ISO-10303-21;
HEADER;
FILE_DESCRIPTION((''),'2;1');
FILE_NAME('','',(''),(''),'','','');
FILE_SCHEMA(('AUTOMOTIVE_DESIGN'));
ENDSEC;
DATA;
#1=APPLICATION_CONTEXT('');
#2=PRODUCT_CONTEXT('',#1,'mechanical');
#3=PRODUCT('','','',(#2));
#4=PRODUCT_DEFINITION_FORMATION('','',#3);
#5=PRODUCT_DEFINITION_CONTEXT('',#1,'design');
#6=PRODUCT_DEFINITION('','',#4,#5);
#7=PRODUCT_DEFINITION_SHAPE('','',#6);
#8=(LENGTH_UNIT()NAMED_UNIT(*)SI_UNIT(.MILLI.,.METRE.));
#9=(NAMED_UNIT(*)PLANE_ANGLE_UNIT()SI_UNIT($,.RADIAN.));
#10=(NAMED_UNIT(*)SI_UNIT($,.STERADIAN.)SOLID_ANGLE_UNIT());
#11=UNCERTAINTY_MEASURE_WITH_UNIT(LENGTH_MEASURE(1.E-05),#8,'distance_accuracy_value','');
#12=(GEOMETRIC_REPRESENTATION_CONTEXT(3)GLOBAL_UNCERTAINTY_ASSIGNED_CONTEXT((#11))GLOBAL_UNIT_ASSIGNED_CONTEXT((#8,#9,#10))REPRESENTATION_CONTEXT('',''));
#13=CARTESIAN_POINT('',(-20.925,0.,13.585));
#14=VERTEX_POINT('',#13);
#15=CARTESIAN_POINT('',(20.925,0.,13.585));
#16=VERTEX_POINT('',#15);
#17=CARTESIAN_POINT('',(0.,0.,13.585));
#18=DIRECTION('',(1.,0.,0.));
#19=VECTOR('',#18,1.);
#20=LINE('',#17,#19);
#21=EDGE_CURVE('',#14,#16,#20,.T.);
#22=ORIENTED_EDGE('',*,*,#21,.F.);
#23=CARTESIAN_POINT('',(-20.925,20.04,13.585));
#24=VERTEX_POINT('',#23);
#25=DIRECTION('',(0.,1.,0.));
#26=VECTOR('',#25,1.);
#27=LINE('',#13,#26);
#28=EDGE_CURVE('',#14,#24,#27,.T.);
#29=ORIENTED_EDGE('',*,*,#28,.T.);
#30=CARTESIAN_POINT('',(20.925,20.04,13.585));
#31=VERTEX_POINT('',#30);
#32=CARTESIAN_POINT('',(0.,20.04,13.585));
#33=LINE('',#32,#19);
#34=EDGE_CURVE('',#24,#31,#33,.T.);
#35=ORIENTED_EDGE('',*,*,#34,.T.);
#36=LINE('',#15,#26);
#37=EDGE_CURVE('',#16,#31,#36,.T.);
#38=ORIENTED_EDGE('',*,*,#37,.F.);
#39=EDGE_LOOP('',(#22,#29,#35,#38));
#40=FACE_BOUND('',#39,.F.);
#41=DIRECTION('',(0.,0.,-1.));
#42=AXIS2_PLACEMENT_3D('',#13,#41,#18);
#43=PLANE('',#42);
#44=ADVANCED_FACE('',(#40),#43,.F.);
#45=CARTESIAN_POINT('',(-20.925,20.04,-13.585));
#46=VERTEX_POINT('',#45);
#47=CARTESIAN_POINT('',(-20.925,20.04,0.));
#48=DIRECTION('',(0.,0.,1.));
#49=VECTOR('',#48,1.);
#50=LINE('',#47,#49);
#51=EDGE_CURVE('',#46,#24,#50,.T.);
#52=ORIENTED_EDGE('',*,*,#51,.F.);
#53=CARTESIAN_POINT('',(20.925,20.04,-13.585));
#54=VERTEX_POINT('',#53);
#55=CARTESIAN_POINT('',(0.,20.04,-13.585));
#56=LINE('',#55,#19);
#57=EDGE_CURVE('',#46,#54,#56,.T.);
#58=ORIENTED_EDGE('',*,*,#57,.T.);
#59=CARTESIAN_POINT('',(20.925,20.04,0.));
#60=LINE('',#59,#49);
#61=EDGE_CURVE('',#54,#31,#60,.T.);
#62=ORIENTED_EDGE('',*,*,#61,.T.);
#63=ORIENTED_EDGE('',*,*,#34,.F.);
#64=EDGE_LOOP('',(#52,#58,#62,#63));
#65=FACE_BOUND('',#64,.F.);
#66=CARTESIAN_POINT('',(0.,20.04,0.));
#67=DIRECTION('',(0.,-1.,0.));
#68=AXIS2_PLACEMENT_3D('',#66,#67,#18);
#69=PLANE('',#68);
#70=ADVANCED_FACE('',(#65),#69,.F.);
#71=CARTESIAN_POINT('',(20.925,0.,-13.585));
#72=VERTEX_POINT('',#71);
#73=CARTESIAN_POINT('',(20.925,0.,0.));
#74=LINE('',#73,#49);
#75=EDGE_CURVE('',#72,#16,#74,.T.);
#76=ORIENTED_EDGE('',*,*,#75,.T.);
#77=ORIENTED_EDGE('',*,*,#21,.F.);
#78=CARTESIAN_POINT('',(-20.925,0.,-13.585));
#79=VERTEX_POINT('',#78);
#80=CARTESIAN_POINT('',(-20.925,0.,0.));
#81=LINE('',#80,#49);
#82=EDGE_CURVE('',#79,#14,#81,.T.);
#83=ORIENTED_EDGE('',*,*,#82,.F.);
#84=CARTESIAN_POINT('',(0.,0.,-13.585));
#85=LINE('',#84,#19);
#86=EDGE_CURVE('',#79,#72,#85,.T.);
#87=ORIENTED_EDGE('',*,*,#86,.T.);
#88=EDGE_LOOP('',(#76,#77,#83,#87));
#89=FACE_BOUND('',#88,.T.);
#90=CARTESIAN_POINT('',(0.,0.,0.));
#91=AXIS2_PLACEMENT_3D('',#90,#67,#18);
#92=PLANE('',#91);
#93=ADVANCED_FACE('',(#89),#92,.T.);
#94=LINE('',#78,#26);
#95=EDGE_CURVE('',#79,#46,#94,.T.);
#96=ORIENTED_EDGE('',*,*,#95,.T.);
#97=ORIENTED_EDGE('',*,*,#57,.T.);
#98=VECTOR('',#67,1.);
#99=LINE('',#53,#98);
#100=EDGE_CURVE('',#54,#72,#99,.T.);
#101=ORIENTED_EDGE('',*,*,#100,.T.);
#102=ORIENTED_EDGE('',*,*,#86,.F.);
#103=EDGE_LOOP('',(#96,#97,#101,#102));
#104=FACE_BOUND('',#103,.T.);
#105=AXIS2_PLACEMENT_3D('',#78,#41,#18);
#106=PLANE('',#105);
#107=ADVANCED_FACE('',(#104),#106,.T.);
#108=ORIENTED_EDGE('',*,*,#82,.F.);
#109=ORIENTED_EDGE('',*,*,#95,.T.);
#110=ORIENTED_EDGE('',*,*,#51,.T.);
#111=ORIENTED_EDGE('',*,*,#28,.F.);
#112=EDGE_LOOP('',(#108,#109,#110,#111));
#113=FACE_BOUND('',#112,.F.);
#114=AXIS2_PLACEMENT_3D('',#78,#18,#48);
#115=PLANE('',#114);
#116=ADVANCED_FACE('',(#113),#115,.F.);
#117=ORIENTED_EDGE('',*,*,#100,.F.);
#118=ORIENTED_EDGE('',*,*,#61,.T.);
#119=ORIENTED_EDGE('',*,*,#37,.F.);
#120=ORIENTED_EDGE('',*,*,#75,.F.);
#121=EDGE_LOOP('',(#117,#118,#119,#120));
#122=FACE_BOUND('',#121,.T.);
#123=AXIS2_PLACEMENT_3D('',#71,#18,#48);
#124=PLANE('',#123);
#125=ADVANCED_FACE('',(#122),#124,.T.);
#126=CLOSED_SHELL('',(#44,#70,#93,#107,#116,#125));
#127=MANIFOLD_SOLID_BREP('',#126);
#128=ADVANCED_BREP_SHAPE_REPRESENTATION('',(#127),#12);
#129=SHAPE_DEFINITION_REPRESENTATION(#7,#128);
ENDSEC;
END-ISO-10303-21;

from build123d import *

# Parameters (mm, degrees)
F0_W     = 41.85
F0_H     = 27.17
F1_DEPTH = 20.04
F2_W     = 5.94
F2_H     = 12.76
F3_DEPTH = 11.92


with BuildPart() as f1:
    # F0 (on Front) → F1 (new body)
    with BuildSketch(Plane.XZ):
        Rectangle(F0_W, F0_H)
    extrude(amount=-F1_DEPTH)

    # F2 (on face) → F3 (join)
    with BuildSketch(Plane.YZ.offset(20.925)):
        with Locations((10.173328, -7.205)):
            Rectangle(F2_W, F2_H)
    extrude(amount=-F3_DEPTH)


solid = f1.part
